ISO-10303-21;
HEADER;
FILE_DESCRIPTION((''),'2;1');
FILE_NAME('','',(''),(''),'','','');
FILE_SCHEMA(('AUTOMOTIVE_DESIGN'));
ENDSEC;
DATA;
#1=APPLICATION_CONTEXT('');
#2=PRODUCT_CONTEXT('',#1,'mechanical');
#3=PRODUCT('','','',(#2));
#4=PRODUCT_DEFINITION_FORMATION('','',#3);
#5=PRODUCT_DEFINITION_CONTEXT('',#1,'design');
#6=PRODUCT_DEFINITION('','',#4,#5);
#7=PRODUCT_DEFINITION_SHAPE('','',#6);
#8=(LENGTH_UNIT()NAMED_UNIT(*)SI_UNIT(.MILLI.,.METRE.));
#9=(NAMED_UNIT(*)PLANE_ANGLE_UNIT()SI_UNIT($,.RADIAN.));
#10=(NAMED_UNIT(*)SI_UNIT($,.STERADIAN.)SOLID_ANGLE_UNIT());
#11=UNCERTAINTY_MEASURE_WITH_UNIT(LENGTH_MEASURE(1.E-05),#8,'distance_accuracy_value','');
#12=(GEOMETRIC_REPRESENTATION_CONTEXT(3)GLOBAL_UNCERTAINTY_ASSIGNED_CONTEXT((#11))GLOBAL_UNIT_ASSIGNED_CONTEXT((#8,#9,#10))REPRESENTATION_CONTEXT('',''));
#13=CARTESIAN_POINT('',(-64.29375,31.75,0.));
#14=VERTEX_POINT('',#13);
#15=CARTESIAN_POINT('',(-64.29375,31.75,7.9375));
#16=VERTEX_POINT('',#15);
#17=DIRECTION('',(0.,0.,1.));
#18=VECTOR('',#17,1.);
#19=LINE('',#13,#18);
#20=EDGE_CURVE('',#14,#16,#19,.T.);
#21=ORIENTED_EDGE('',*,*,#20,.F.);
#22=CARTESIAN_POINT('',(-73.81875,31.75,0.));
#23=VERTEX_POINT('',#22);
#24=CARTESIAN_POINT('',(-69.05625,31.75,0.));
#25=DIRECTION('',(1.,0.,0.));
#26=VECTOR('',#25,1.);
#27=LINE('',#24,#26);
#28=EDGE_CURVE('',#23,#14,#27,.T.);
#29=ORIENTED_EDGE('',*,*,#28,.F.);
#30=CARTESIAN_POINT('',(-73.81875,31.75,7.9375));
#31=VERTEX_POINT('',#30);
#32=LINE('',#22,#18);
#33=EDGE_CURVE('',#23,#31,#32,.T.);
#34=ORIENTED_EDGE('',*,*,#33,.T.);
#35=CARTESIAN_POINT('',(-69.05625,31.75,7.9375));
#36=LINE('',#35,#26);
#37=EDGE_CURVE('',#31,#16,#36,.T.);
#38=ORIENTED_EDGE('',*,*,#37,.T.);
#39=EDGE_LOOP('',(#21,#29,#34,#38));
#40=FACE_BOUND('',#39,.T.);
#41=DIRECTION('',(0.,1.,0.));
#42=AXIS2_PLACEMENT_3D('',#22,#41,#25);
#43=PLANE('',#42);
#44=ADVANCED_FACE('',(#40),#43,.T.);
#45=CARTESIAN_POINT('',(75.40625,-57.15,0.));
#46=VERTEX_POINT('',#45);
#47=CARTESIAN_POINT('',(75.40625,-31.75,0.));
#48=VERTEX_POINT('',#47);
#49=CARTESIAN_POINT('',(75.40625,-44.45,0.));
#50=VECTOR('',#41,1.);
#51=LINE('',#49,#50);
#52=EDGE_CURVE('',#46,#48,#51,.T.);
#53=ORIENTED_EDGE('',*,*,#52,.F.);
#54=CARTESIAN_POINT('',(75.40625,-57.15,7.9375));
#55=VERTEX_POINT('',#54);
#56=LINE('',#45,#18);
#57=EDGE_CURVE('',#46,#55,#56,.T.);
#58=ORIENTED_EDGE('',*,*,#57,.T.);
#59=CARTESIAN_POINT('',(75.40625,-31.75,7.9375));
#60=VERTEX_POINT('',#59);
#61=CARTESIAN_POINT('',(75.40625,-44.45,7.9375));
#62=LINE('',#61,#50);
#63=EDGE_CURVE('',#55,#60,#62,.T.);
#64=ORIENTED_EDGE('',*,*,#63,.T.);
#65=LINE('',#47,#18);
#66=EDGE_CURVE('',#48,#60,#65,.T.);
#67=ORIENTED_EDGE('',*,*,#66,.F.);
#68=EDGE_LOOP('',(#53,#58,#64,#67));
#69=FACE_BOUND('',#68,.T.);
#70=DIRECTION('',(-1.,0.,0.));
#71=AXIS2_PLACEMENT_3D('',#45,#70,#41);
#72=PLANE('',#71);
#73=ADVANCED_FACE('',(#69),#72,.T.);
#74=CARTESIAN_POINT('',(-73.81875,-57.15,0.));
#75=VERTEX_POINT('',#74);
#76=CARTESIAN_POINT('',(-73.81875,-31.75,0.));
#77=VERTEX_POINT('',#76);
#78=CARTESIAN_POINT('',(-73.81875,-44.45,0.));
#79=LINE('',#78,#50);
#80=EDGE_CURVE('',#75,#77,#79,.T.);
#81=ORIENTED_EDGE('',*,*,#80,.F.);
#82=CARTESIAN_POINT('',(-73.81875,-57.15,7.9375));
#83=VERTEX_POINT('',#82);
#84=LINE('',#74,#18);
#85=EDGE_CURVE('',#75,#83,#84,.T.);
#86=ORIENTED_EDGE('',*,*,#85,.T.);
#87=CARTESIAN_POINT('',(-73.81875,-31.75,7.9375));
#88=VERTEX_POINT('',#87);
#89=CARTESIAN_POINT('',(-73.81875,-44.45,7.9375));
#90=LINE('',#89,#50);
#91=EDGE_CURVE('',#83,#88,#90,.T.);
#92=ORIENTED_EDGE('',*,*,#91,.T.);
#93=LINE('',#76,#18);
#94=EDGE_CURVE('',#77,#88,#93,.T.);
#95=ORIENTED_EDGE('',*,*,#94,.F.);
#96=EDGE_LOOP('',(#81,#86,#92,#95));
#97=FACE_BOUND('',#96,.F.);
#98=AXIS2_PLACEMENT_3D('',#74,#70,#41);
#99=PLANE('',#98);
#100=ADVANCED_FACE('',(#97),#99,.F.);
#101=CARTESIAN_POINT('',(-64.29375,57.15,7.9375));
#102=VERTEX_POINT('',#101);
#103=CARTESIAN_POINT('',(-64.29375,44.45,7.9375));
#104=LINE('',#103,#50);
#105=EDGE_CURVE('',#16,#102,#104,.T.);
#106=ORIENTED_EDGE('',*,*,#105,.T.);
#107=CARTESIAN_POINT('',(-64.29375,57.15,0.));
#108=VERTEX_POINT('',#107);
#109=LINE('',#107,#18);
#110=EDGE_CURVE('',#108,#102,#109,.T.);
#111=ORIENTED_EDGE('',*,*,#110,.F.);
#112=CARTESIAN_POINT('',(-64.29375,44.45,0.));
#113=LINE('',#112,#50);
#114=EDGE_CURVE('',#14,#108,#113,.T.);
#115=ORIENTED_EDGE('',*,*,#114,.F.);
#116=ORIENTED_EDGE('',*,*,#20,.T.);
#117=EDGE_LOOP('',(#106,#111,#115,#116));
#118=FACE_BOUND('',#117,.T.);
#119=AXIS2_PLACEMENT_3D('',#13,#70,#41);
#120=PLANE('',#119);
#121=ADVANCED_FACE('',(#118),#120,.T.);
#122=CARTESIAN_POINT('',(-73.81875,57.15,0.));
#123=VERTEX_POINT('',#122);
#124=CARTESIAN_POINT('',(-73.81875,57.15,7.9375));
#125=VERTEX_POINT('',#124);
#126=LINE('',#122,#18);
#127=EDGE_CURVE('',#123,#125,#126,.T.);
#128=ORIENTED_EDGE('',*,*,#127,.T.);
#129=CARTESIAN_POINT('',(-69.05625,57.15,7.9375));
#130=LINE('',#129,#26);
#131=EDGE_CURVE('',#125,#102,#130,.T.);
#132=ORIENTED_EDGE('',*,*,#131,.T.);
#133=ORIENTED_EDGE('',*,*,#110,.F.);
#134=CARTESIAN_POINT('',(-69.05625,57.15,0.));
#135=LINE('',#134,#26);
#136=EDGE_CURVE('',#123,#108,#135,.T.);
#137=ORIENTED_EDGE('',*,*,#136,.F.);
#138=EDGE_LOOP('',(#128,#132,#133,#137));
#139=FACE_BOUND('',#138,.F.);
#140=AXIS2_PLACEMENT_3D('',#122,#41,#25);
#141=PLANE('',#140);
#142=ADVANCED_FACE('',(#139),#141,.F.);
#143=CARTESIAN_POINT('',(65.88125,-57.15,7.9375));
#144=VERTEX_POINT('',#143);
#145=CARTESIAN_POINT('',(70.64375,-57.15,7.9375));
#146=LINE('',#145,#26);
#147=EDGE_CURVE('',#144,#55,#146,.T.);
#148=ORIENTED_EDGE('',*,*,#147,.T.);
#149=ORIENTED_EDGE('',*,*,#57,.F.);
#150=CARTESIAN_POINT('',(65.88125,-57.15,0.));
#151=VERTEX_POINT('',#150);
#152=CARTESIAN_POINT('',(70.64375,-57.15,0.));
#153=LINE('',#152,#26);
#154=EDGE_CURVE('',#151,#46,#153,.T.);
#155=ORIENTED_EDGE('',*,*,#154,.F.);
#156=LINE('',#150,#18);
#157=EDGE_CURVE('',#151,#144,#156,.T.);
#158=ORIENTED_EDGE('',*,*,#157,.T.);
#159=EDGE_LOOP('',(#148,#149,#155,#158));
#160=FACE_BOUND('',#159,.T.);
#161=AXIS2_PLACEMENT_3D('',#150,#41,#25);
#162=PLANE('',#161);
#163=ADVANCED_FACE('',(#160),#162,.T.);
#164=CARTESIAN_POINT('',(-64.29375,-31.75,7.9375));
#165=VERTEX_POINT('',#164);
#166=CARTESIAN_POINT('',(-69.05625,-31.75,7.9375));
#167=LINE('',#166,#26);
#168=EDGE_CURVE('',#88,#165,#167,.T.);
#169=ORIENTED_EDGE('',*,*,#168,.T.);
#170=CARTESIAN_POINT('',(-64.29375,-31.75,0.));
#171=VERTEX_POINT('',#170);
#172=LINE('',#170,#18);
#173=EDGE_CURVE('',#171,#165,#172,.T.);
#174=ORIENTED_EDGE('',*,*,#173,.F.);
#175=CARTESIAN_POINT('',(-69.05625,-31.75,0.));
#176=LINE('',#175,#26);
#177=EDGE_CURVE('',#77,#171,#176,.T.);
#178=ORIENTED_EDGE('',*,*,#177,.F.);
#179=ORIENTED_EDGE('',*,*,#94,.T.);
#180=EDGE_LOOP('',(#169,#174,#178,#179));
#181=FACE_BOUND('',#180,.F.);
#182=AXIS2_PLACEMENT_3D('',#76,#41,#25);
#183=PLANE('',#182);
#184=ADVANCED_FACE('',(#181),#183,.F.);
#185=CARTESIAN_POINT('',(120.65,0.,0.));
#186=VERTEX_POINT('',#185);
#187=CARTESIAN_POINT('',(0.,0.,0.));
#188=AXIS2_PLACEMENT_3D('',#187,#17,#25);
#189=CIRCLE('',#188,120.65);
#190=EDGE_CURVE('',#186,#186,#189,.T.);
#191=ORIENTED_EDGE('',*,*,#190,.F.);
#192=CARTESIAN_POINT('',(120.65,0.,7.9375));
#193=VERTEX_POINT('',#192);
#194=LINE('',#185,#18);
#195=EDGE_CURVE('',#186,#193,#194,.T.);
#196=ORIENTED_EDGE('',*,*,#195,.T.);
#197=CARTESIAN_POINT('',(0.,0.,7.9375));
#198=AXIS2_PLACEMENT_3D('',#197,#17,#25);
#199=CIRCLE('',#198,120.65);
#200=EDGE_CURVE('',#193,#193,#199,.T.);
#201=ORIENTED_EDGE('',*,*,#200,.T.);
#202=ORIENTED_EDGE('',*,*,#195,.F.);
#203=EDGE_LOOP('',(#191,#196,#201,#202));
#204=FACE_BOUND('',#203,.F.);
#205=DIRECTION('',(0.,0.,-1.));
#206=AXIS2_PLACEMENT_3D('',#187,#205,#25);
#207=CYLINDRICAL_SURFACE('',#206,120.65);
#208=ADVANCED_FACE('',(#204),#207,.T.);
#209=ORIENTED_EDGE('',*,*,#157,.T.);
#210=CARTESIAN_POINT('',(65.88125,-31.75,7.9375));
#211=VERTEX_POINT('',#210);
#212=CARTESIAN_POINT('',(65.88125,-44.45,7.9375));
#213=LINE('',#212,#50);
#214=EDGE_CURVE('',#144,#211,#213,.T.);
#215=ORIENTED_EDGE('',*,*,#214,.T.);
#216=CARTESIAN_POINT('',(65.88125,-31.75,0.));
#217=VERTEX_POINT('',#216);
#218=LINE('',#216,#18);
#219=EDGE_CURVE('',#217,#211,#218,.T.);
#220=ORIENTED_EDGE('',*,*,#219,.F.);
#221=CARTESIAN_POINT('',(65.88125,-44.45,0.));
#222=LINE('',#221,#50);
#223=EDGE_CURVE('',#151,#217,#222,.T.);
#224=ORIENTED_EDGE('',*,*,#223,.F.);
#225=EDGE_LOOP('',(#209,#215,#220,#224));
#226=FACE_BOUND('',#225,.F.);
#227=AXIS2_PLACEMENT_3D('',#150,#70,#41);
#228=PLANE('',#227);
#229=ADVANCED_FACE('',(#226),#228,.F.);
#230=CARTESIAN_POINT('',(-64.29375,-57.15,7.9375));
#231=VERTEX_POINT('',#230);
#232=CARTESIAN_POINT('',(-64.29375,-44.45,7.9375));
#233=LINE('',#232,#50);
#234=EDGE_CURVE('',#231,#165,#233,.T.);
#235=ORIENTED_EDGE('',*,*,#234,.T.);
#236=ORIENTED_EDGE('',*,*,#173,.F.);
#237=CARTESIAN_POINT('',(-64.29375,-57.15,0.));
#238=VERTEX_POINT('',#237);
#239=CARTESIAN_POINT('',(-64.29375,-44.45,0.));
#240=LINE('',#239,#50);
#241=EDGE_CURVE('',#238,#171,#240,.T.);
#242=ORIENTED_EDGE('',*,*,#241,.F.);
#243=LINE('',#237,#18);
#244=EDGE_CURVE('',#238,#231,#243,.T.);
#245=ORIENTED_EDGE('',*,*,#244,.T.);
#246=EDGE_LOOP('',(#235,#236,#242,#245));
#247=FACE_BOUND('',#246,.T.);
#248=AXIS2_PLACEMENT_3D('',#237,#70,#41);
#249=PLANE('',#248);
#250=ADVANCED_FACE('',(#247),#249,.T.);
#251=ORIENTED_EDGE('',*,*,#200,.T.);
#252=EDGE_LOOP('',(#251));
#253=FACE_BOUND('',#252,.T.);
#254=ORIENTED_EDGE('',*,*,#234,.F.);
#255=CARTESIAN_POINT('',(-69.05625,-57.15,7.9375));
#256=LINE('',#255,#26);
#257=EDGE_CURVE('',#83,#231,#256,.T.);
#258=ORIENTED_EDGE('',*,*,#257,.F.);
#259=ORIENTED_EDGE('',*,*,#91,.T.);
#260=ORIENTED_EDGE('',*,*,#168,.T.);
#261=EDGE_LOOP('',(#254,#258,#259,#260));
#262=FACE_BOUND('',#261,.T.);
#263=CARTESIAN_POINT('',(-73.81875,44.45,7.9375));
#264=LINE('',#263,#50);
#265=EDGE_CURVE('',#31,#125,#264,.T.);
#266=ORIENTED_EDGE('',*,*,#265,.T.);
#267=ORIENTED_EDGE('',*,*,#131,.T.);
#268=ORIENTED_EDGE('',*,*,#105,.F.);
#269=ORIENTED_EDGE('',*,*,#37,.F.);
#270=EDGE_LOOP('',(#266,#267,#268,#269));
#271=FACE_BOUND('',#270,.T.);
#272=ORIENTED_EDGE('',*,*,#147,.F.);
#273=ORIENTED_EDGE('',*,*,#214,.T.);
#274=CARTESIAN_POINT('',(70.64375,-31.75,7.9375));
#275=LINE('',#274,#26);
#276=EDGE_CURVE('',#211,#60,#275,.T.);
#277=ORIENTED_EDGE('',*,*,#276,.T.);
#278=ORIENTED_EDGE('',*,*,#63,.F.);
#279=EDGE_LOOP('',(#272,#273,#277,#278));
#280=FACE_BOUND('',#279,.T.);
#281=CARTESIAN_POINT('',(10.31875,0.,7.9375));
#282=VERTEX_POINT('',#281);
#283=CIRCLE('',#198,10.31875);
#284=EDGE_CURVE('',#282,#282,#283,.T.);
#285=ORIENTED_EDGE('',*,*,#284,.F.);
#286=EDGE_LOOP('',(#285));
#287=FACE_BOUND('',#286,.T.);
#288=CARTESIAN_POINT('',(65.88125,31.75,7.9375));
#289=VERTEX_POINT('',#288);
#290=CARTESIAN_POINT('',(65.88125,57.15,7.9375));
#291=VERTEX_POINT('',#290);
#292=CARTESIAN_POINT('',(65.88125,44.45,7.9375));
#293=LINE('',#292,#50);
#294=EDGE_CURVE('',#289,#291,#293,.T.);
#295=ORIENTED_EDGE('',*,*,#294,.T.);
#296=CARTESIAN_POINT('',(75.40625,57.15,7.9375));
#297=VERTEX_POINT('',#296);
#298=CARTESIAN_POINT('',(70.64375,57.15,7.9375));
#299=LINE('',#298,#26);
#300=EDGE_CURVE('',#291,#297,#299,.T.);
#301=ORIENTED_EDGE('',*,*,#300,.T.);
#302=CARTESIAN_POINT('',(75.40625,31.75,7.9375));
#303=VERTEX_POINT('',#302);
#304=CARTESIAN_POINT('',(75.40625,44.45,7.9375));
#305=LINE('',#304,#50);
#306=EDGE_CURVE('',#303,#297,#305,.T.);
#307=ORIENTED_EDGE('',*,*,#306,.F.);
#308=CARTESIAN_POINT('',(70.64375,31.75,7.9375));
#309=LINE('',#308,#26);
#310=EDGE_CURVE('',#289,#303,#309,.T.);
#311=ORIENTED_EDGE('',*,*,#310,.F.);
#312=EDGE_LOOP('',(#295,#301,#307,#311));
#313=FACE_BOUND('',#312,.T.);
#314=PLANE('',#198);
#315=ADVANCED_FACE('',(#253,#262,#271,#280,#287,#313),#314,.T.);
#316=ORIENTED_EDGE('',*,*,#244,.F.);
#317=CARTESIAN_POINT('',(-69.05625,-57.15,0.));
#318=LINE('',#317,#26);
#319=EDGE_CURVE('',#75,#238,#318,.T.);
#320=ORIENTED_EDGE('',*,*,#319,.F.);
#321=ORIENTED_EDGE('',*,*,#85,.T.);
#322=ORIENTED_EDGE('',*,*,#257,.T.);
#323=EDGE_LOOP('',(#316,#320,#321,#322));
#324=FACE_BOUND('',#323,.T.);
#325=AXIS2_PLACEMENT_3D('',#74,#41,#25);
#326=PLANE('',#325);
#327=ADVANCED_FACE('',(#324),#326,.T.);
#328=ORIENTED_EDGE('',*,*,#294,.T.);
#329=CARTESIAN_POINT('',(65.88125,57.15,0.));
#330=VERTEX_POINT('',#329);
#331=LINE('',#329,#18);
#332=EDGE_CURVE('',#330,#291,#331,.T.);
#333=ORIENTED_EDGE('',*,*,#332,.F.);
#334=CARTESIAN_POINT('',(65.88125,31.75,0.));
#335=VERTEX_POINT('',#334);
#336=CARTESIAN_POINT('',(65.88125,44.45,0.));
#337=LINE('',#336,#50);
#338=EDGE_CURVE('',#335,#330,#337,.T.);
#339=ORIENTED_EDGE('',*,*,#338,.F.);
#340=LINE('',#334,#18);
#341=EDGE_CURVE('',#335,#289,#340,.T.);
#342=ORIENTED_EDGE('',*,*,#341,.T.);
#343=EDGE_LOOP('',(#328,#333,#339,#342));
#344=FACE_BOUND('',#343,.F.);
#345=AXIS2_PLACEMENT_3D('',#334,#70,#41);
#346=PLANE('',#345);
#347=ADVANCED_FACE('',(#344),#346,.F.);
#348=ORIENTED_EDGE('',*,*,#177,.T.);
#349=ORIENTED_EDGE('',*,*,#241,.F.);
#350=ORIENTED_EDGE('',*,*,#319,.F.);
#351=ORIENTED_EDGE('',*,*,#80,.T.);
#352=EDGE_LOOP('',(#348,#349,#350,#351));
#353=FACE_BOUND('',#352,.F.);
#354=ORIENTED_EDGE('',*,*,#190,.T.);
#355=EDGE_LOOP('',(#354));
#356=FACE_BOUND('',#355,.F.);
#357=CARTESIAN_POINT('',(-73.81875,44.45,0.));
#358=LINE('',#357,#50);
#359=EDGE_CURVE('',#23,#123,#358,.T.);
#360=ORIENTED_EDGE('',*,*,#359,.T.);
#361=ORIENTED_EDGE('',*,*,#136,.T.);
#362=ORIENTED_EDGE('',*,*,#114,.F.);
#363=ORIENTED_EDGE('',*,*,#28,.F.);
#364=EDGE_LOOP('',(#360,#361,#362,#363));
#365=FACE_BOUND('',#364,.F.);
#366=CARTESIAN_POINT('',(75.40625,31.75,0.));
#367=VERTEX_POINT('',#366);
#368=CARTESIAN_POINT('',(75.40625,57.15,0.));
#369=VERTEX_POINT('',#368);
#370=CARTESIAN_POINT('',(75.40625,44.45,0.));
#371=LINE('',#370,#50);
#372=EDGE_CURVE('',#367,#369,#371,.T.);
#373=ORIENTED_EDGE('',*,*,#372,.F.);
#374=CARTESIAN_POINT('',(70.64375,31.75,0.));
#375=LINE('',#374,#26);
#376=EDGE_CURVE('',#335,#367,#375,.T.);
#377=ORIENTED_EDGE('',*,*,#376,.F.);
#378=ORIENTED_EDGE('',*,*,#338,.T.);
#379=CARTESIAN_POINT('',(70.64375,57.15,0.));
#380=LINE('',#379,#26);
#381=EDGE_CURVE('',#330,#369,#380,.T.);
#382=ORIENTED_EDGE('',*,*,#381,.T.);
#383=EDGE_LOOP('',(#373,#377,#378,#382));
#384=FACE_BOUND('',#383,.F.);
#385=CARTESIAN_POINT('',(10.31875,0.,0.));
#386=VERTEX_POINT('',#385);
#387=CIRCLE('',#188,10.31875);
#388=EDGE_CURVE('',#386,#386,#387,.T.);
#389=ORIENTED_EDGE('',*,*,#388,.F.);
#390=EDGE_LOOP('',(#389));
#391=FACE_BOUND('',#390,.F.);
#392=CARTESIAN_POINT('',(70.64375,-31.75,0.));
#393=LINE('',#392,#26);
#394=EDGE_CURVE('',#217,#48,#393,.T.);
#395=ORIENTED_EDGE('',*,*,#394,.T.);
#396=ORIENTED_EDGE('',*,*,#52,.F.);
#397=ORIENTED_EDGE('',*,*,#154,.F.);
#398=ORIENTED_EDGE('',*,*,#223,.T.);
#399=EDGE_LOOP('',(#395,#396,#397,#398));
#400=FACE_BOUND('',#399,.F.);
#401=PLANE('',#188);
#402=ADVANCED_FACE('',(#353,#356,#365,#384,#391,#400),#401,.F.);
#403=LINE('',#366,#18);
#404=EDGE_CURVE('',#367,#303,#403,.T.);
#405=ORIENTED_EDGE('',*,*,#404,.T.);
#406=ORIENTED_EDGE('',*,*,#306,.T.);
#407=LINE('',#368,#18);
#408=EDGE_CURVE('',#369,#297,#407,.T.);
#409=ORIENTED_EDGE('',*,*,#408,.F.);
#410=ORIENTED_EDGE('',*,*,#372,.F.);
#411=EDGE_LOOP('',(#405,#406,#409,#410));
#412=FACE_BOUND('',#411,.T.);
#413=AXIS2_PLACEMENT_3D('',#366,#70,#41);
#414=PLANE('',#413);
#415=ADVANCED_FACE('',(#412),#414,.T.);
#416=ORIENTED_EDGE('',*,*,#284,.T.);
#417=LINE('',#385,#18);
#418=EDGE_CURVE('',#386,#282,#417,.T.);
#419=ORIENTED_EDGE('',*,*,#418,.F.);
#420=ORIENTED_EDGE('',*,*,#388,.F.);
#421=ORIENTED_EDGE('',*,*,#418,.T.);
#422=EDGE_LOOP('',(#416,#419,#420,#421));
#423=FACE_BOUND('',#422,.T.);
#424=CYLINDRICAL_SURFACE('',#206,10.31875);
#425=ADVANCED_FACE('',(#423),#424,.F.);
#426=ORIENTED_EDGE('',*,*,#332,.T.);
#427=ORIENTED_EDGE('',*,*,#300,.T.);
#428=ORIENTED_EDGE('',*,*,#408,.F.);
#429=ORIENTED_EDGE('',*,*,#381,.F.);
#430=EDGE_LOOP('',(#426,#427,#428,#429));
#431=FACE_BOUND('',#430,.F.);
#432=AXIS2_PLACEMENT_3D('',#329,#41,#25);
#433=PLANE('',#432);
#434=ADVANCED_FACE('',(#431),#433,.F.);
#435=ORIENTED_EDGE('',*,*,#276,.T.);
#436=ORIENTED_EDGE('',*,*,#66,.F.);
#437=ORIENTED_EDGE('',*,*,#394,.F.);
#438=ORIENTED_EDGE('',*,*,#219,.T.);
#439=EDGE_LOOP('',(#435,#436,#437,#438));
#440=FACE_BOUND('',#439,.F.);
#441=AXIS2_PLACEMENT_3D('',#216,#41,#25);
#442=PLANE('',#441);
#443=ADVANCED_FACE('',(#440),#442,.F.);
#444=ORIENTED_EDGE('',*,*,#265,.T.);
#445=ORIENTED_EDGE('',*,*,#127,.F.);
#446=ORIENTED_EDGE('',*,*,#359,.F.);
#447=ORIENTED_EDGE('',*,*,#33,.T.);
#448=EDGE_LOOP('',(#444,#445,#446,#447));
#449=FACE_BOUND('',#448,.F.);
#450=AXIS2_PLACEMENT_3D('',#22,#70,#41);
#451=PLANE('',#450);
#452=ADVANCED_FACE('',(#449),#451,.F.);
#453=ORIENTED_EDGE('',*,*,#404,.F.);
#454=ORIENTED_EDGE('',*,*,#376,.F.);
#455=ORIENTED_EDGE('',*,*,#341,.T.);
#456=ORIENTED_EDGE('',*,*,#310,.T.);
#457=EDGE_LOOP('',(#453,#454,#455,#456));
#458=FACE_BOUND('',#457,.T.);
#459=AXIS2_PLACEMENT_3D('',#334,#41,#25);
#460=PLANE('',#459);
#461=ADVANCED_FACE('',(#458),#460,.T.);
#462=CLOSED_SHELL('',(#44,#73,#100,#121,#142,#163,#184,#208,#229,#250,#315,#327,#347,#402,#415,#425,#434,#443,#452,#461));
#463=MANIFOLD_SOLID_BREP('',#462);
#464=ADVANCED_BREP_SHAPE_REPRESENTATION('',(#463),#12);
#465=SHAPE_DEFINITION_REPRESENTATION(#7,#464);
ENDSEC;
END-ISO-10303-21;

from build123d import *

# Parameters (mm, degrees)
F0_R     = 120.65
F0_W     = 9.525
F0_H     = 25.4
F0_R_2   = 10.31875
F1_DEPTH = 7.9375


with BuildPart() as f1:
    # F0 (on Top) → F1 (new body)
    with BuildSketch(Plane.XY):
        Circle(F0_R)
        with Locations((-69.05625, -44.45)):
            Rectangle(F0_W, F0_H, mode=Mode.SUBTRACT)
        with Locations((70.64375, -44.45)):
            Rectangle(F0_W, F0_H, mode=Mode.SUBTRACT)
        with Locations((-69.05625, 44.45)):
            Rectangle(F0_W, F0_H, mode=Mode.SUBTRACT)
        Circle(F0_R_2, mode=Mode.SUBTRACT)
        with Locations((70.64375, 44.45)):
            Rectangle(F0_W, F0_H, mode=Mode.SUBTRACT)
    extrude(amount=F1_DEPTH)


solid = f1.part
